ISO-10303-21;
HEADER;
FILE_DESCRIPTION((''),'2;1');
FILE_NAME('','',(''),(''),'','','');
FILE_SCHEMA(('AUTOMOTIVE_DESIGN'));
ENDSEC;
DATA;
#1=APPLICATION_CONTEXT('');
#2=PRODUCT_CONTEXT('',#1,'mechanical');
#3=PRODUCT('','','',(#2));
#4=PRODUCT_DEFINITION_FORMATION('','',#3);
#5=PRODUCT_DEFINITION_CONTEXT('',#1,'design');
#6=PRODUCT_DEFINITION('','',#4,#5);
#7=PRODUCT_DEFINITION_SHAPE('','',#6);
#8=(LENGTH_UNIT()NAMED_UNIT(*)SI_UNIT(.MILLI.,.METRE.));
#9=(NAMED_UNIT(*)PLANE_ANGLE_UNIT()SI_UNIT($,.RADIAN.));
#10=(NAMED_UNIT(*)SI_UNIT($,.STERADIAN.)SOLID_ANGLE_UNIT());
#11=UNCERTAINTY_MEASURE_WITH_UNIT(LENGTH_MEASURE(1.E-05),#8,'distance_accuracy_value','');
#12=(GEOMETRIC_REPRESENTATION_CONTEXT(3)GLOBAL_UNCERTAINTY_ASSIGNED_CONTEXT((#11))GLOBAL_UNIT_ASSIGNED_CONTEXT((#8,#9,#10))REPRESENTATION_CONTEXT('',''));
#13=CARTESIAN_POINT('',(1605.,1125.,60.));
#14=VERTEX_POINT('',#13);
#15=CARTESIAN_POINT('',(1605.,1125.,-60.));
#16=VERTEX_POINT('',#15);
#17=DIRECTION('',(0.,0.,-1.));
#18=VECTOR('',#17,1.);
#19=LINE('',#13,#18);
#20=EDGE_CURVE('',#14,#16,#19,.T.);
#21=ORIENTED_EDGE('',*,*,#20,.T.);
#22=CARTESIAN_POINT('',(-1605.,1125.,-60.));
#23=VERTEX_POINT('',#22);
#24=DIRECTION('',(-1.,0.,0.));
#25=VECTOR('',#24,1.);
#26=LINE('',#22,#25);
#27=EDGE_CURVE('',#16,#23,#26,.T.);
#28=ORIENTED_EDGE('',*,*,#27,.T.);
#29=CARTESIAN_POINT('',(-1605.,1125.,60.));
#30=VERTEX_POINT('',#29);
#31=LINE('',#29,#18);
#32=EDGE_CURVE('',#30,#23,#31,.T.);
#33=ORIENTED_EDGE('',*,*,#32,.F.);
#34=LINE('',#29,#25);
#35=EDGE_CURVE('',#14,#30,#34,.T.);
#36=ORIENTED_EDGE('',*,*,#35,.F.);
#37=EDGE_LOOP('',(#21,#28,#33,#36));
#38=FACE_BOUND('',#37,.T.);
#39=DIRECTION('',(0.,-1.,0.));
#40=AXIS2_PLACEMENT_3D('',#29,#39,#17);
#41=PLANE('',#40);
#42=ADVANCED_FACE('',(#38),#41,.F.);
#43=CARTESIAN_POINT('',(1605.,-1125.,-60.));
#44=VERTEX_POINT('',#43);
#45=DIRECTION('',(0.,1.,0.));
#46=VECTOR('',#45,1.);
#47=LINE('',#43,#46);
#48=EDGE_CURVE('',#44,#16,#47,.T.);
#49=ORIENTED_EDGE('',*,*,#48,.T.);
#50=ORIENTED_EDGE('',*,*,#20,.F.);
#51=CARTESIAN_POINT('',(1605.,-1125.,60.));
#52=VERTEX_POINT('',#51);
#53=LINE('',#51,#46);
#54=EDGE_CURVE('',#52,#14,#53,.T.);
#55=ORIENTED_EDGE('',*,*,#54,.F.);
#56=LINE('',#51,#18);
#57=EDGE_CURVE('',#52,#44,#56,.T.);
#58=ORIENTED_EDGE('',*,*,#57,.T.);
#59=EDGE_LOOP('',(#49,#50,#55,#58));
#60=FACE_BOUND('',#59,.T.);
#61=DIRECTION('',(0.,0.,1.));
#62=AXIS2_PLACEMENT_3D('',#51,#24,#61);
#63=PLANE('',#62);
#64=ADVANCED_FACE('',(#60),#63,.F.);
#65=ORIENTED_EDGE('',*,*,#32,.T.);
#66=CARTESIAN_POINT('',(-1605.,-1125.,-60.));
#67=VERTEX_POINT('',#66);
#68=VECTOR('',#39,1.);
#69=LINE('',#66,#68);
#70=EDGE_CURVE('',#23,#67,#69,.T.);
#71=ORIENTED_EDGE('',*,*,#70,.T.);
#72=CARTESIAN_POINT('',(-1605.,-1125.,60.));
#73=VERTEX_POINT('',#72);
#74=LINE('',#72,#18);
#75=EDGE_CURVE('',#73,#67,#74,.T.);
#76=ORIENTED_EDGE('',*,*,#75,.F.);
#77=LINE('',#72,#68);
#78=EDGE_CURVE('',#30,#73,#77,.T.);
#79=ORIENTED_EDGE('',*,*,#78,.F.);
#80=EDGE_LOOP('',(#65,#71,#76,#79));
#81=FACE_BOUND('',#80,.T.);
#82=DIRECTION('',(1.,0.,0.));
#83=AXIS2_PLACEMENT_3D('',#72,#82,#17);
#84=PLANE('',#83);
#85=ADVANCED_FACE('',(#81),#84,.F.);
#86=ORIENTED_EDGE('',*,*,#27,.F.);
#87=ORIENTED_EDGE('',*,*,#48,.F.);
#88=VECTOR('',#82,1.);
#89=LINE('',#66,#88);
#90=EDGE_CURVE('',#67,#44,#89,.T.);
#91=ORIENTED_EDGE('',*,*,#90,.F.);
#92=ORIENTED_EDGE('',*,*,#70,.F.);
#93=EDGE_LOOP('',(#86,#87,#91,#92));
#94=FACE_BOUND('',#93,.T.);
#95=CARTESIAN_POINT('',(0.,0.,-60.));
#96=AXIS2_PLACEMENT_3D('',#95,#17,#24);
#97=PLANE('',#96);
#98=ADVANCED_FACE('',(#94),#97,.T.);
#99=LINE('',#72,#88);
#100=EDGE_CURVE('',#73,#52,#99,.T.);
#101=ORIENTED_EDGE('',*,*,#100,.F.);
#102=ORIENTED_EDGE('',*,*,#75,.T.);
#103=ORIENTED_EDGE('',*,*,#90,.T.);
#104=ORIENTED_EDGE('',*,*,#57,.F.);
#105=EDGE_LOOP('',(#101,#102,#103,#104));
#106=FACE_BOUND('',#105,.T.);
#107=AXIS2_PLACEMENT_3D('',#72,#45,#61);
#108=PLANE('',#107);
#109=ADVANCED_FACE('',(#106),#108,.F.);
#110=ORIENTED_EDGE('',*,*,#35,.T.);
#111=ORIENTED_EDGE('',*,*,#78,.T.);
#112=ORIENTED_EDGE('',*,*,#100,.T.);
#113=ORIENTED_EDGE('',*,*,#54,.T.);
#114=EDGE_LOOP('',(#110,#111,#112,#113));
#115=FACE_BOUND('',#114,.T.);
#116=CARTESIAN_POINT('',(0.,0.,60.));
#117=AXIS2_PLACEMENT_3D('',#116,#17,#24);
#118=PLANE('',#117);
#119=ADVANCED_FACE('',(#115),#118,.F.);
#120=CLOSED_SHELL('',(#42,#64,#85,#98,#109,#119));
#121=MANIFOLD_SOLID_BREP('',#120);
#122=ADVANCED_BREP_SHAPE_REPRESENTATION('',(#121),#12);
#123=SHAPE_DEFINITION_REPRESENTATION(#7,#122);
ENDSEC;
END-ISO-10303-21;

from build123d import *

# Parameters (mm, degrees)
SKETCH_1_W      = 3210
SKETCH_1_H      = 2250
EXTRUDE_1_DEPTH = 60


with BuildPart() as part:
    # Эскиз1 → Бобышка-Вытянуть1 (new, symmetric)
    with BuildSketch(Plane.XY):
        Rectangle(SKETCH_1_W, SKETCH_1_H)
    extrude(amount=EXTRUDE_1_DEPTH, both=True)


solid = part.part
